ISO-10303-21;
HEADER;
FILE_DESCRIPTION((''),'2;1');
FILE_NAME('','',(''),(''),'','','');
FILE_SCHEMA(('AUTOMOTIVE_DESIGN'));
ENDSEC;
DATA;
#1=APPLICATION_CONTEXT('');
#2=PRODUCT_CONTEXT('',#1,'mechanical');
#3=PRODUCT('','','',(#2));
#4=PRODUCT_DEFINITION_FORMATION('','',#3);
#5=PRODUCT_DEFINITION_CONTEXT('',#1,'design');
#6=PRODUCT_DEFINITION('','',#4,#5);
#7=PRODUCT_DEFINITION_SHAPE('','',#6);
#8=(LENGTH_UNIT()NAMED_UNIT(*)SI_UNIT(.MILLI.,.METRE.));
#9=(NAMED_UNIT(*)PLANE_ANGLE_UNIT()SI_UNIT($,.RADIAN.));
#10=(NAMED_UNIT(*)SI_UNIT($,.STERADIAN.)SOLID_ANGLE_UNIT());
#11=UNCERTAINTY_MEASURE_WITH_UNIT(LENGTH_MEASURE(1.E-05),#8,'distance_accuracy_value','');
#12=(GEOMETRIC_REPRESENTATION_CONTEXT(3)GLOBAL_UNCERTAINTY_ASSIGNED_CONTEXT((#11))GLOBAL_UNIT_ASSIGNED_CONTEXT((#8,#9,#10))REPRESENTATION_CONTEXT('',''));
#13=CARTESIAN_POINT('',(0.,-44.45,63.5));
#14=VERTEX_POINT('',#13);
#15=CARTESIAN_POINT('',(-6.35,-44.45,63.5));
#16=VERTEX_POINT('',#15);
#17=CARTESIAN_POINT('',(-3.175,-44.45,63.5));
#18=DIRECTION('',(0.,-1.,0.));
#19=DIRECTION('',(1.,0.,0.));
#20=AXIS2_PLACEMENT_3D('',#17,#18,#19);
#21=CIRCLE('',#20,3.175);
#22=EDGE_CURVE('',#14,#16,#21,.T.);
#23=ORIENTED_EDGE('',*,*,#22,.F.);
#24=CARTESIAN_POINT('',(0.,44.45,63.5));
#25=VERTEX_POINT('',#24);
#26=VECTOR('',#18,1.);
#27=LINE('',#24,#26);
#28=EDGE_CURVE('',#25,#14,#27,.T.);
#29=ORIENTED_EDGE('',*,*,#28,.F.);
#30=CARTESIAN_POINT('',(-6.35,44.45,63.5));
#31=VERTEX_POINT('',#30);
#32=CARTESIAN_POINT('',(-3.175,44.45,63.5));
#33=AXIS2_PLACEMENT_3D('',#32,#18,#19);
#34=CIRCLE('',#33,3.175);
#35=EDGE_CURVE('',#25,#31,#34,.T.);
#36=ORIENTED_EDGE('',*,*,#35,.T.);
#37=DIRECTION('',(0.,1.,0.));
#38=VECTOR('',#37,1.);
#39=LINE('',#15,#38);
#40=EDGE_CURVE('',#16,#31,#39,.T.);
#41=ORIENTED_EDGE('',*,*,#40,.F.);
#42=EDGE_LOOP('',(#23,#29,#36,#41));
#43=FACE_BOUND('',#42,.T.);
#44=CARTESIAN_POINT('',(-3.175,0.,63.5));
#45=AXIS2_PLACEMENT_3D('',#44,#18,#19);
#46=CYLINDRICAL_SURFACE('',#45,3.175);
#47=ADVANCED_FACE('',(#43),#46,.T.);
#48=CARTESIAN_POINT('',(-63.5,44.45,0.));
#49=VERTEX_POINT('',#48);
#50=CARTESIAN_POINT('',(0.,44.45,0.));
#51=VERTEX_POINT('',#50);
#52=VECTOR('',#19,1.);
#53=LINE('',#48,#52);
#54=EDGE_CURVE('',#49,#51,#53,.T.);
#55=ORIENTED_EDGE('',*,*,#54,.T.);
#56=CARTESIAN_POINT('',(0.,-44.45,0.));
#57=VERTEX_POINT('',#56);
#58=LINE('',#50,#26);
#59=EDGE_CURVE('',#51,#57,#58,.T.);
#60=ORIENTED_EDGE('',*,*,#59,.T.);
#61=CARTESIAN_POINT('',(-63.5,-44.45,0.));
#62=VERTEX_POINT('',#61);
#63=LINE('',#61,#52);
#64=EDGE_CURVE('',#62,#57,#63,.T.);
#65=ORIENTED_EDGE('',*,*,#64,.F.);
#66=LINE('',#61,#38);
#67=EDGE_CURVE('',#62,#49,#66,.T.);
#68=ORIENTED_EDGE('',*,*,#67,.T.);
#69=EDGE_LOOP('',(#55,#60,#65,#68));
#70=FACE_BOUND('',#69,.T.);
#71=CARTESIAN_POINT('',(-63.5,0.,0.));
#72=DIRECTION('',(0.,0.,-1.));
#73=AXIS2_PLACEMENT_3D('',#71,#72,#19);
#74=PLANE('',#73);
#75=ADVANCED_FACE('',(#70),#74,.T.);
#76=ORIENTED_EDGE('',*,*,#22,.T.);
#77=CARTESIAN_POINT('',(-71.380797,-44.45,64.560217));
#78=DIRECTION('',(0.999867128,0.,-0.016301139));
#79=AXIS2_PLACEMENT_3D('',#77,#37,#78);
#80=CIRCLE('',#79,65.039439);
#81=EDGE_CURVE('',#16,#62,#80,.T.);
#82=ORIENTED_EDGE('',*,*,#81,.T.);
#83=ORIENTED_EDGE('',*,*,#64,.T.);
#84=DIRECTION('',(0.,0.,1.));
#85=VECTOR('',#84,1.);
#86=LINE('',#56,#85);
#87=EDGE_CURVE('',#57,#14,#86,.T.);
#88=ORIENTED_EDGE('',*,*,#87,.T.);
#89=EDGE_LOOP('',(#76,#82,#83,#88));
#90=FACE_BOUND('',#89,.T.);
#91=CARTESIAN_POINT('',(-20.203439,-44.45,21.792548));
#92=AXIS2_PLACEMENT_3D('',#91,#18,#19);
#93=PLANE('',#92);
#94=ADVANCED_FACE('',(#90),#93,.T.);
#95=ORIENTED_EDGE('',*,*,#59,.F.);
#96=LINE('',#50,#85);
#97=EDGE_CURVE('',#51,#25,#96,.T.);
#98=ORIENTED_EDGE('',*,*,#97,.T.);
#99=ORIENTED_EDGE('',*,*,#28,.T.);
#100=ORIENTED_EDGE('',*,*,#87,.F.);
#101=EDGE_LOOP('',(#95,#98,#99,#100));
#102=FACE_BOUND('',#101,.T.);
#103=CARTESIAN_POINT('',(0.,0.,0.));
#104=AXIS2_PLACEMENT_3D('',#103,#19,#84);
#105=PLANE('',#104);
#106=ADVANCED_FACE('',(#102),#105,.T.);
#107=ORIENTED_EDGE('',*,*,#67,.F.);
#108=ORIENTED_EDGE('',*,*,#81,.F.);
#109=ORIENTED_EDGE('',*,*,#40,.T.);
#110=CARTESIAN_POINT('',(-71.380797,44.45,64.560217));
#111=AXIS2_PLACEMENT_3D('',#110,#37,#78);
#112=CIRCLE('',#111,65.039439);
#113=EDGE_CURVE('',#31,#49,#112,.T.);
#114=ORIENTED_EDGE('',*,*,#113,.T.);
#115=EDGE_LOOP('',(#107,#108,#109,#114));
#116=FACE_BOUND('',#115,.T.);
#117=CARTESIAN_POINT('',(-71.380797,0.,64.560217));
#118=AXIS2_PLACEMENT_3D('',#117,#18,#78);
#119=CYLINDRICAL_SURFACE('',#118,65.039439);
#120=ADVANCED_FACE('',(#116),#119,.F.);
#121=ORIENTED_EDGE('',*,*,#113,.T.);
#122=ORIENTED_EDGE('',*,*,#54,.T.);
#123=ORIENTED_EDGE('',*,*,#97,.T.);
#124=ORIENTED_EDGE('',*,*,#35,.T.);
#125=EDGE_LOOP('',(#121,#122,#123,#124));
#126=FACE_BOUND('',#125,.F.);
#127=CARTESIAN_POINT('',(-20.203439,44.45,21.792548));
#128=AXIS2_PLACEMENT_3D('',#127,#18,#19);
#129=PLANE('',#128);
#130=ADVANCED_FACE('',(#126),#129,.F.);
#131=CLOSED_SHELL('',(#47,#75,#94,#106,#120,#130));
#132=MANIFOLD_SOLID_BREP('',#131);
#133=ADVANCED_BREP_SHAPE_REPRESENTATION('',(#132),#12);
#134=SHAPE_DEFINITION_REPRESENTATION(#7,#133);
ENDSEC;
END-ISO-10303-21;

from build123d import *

# Parameters (mm, degrees)
F1_DEPTH = 44.45


with BuildPart() as f1:
    # F0 (on Front) → F1 (new body, symmetric)
    with BuildSketch(Plane.XZ):
        with BuildLine():
            Line((-63.5, 0), (0, 0))
            Line((0, 0), (0, 63.5))
            ThreePointArc((0, 63.5), (-3.175, 66.675), (-6.35, 63.5))
            ThreePointArc((-6.35, 63.5), (-23.037363, 21.051126), (-63.5, 0))
        make_face()
    extrude(amount=F1_DEPTH, both=True)


solid = f1.part
